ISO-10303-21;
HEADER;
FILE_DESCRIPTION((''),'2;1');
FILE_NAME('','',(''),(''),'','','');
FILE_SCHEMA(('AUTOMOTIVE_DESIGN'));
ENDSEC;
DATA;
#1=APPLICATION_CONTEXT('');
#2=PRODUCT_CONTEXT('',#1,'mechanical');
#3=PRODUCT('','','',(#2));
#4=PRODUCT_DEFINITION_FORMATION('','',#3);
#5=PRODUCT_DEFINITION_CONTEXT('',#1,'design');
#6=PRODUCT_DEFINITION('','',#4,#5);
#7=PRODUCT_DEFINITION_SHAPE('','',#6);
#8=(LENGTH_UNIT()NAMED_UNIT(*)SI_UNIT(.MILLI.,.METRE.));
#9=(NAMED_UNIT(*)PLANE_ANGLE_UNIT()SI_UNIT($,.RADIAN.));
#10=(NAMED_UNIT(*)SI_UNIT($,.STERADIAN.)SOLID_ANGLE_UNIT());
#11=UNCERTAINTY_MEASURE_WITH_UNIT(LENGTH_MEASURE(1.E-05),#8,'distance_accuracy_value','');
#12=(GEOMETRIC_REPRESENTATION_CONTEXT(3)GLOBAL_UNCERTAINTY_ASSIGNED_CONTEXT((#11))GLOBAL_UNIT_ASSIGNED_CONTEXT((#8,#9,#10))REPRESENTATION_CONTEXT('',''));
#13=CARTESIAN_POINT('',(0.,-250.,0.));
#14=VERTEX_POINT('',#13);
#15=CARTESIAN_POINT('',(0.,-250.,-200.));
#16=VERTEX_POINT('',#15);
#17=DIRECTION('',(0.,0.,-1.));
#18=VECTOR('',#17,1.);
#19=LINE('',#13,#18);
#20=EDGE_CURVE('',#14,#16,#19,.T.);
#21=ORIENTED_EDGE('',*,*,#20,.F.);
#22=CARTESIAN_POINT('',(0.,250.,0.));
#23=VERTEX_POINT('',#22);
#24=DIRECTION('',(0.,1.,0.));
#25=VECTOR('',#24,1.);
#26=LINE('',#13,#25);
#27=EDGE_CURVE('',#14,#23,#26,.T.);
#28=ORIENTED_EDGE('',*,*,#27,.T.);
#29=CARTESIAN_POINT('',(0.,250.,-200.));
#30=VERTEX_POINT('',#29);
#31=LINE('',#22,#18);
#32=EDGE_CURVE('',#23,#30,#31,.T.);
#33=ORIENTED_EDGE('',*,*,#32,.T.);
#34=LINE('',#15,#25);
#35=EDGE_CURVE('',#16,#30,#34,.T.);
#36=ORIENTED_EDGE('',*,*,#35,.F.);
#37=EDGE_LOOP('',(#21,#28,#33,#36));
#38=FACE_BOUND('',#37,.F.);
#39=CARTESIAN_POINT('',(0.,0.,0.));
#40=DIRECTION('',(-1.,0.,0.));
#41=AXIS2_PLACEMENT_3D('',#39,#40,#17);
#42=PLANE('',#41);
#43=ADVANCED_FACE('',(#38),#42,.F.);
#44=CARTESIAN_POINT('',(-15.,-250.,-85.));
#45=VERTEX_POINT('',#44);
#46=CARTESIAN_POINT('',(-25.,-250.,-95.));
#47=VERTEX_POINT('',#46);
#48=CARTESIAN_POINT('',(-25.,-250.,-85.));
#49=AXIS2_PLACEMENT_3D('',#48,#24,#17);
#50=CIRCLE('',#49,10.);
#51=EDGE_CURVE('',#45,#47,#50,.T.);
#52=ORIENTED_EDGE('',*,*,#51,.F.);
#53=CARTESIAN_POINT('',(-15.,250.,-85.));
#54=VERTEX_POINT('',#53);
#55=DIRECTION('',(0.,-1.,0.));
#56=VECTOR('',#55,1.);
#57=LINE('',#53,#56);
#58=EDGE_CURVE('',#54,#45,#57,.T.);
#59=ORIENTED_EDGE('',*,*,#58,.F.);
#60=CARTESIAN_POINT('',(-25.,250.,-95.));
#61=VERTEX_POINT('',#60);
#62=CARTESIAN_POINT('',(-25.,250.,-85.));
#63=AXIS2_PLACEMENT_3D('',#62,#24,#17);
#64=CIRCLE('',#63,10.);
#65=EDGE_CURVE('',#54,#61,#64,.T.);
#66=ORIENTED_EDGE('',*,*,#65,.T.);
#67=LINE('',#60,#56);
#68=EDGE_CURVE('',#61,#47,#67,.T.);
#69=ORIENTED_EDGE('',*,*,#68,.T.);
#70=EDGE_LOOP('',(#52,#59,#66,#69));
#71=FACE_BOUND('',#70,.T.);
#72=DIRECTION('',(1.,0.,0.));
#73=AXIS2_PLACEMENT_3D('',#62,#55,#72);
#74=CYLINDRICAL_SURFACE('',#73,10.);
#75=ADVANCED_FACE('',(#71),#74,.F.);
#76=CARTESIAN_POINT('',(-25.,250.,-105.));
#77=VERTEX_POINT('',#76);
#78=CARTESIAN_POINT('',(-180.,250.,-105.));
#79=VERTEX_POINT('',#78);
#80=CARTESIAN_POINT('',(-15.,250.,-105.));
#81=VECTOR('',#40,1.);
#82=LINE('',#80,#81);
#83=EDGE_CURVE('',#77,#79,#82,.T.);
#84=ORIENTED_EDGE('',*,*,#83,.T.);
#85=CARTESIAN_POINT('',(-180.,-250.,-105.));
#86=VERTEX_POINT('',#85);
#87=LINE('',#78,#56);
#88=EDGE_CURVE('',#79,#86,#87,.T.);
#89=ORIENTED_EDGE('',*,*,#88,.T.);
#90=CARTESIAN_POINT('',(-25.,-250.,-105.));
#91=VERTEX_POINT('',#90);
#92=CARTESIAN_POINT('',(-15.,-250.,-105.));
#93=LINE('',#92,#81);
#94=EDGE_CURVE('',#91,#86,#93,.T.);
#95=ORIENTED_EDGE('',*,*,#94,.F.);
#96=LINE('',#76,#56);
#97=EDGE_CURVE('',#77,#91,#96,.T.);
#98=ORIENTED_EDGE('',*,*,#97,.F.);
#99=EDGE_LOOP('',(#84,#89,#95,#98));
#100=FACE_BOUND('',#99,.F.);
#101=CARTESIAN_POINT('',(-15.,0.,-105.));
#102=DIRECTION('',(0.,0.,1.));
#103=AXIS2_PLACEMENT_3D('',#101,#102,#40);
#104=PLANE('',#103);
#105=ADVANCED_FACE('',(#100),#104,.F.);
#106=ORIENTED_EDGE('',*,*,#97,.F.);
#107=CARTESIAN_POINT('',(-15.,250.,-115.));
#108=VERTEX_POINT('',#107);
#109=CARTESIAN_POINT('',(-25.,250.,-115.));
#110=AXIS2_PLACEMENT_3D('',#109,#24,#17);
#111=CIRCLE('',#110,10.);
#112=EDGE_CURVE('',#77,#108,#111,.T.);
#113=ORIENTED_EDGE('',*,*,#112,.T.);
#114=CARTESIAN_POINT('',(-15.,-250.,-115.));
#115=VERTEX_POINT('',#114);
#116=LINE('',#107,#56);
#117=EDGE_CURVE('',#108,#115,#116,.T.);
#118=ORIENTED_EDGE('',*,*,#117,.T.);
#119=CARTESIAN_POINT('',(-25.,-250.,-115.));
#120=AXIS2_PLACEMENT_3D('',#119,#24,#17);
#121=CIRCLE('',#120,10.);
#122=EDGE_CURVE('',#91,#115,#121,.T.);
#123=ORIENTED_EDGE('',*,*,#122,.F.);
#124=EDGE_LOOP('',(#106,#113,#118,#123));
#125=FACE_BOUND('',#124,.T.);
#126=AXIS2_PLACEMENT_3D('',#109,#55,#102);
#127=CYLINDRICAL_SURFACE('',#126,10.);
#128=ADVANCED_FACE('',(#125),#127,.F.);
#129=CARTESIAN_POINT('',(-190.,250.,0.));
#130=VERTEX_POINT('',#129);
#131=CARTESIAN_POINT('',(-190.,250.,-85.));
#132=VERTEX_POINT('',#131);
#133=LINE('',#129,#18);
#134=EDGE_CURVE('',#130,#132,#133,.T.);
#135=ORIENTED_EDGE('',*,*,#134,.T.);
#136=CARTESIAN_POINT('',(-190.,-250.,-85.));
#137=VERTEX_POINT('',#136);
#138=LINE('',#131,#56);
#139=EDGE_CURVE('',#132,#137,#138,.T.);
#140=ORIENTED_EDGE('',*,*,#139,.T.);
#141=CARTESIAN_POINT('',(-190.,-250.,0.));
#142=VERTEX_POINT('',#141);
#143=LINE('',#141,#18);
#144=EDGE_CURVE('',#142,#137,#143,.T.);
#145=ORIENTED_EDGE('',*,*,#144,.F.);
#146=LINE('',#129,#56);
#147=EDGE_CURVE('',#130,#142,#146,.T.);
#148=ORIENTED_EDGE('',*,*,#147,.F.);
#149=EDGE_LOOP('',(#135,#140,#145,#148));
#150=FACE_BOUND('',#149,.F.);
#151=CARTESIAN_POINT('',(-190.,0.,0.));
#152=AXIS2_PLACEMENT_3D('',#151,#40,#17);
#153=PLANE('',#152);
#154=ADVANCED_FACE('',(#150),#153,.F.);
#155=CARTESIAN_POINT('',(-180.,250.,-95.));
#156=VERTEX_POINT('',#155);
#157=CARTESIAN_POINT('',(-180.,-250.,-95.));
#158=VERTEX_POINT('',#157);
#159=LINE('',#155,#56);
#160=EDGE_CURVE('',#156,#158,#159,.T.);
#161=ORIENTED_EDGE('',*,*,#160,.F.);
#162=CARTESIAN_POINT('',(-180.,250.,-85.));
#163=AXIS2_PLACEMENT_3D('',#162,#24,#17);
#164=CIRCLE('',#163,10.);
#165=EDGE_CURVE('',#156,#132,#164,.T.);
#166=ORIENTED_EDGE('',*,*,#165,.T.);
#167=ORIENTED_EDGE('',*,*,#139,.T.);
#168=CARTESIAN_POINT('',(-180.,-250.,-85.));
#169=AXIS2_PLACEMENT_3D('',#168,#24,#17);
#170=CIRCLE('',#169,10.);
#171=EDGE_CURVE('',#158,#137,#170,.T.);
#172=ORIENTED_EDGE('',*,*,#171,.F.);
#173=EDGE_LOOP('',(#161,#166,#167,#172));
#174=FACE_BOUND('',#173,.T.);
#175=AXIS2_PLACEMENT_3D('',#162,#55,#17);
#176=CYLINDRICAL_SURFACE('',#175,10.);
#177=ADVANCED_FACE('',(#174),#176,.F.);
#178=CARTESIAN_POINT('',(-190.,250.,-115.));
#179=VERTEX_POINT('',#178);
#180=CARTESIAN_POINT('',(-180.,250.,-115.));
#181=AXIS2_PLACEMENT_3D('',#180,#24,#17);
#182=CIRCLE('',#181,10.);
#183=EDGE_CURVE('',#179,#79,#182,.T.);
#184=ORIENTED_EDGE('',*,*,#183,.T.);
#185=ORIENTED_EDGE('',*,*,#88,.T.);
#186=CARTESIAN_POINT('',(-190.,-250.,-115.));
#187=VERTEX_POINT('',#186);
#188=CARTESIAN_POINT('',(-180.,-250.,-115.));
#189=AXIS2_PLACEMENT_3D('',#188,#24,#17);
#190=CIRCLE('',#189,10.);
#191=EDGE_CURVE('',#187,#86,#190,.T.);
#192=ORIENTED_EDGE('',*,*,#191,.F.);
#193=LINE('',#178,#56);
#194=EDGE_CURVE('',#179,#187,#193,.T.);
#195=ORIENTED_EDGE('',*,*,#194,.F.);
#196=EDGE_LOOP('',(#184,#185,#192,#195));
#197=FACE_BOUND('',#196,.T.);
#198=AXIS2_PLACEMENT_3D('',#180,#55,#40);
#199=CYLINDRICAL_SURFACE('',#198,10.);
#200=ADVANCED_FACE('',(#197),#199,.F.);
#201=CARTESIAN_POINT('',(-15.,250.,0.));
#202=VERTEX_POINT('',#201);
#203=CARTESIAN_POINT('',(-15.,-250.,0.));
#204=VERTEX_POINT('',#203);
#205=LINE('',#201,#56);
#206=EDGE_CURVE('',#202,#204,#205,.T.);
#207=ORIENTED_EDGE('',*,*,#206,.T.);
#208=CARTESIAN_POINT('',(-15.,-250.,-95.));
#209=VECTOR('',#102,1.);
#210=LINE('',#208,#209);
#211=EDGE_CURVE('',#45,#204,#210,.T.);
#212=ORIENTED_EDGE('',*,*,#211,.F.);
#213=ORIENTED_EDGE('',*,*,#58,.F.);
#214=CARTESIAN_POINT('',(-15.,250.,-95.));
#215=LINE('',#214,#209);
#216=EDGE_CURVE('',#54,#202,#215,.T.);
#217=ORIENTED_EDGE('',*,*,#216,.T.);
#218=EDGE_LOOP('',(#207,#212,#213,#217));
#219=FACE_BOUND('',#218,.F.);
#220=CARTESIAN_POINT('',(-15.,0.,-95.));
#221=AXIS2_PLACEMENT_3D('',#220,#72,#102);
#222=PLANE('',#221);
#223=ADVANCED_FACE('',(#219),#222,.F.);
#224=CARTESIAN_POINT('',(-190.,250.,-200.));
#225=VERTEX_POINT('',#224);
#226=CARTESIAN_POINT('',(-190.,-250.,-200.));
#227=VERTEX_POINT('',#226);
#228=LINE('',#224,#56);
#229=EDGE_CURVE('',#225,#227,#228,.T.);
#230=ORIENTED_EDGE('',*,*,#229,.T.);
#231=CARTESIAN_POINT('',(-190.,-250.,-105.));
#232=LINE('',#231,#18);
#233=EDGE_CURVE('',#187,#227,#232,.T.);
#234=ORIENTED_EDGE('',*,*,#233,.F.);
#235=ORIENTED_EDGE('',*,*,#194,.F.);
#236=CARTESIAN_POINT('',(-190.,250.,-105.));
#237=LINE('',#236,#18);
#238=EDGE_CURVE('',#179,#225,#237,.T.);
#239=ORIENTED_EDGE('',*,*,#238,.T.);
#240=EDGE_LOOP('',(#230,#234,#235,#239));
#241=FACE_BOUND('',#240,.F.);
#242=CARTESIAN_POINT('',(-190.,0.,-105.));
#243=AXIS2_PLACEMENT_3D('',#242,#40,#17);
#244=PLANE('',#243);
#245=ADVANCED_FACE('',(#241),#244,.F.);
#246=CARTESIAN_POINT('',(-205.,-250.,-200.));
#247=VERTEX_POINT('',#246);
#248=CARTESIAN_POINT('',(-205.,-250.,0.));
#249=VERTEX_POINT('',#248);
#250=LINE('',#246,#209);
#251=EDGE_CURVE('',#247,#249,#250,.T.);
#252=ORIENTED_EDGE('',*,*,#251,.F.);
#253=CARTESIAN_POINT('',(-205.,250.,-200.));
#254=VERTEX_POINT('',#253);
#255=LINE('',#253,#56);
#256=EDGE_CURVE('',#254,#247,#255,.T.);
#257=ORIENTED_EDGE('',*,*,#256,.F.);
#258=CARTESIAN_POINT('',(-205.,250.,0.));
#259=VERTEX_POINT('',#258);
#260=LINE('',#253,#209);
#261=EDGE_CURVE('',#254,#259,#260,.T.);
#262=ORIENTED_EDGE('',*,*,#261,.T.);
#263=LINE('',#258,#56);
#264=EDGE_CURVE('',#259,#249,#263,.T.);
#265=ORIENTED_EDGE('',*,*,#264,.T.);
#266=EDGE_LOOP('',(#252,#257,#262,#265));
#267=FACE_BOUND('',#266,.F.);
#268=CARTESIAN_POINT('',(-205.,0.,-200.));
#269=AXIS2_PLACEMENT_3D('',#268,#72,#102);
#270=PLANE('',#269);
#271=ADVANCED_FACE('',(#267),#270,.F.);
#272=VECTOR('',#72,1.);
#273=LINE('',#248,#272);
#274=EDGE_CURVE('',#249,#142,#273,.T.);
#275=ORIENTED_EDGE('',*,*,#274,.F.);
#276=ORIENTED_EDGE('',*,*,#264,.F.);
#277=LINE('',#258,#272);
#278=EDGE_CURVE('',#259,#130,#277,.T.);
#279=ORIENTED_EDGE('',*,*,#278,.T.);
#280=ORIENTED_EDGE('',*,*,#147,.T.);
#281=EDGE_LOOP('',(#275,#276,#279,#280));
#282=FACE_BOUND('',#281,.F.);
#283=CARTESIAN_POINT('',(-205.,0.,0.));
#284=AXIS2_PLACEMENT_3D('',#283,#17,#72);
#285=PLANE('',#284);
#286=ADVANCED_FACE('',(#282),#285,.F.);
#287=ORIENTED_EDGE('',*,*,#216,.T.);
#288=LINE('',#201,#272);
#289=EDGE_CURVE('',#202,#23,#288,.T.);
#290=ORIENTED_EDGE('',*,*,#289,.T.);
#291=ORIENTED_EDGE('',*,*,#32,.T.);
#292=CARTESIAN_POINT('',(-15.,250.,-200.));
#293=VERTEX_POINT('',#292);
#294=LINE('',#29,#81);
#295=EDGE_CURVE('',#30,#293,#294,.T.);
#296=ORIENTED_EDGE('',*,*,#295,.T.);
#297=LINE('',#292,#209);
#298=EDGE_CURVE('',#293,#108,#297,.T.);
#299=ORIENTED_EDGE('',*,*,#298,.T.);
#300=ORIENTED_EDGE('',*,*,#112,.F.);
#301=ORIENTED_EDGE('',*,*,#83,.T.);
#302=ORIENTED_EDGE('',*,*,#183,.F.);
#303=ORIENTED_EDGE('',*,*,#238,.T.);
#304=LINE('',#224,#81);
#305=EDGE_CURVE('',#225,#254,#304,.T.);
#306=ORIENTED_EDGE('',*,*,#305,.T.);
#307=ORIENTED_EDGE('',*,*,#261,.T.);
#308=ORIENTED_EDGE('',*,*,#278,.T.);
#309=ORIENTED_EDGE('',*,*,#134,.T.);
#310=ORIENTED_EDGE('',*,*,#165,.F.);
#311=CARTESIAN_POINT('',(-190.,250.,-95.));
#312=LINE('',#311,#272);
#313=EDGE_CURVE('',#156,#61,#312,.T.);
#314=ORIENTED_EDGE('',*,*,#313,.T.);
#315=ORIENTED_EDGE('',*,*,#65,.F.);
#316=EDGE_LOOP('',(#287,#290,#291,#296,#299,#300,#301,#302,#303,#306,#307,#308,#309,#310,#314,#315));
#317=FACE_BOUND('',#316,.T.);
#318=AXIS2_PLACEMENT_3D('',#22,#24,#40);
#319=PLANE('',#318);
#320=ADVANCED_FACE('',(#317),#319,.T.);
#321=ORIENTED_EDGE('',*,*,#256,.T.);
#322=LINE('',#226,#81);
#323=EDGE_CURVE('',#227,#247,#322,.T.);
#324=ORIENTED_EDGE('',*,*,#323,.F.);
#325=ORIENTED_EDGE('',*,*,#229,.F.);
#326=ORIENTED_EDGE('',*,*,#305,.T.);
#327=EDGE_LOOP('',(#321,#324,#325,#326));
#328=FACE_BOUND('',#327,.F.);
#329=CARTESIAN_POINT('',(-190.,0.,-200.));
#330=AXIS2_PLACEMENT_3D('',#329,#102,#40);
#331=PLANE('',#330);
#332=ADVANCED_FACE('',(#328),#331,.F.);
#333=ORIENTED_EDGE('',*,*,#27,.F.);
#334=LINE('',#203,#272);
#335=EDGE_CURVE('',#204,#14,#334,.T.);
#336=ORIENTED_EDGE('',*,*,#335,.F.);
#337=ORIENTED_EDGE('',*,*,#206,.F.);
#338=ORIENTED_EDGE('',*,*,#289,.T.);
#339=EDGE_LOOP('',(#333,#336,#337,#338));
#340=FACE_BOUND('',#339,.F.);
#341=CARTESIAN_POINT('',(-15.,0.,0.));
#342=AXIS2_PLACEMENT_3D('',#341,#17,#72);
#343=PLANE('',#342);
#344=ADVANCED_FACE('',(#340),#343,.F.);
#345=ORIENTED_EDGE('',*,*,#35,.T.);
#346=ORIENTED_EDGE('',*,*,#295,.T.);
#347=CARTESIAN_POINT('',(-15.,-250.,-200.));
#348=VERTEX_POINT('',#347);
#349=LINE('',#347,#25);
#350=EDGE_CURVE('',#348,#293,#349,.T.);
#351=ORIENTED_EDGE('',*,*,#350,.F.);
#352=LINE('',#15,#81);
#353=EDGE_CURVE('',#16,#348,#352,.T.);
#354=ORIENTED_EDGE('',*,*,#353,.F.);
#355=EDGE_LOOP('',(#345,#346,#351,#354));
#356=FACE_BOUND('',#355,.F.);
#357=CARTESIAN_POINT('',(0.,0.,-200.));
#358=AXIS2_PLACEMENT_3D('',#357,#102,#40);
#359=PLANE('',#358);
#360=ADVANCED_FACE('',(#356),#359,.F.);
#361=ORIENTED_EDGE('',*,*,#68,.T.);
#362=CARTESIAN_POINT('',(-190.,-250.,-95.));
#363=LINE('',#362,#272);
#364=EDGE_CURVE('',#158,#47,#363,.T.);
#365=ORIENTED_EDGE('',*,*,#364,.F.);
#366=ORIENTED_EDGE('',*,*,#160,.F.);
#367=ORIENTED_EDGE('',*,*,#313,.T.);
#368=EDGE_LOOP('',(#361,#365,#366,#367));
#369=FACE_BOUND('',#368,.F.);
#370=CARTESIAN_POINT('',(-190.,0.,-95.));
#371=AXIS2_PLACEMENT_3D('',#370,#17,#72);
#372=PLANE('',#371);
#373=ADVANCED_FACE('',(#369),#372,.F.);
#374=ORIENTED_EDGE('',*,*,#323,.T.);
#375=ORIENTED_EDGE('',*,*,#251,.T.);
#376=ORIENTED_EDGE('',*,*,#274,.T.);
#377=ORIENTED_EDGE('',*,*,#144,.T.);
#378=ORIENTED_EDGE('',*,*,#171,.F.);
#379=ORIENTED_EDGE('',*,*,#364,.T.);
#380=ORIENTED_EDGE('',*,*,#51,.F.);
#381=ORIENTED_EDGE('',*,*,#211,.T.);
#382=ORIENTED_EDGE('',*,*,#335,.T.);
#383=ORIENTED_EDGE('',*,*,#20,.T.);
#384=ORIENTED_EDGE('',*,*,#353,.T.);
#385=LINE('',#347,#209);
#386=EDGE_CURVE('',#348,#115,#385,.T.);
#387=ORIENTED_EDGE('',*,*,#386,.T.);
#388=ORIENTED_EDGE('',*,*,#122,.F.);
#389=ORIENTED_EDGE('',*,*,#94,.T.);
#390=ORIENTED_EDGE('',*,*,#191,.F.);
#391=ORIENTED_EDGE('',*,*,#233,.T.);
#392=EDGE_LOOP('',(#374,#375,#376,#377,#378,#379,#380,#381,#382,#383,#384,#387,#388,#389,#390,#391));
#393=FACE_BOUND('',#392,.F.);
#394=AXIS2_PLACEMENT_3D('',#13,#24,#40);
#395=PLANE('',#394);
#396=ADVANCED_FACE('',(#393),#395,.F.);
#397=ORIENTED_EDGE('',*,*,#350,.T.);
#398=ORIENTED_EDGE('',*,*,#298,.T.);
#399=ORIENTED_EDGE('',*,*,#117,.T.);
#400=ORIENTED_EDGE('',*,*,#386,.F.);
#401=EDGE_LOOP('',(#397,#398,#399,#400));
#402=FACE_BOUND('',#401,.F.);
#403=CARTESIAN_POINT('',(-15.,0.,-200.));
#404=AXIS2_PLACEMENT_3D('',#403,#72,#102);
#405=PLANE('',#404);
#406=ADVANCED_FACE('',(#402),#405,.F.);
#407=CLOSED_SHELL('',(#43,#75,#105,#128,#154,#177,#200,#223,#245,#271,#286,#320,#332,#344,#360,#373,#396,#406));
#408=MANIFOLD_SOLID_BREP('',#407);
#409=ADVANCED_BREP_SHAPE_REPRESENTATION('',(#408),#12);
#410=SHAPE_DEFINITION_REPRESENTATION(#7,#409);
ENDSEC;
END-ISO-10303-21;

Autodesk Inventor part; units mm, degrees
ref_plane "YZ Plane" through (0, 0, 0) normal (1, 0, 0) x (0, 1, 0)
ref_plane "XZ Plane" through (0, 0, 0) normal (0, 1, 0) x (-1, 0, 0)
ref_plane "XY Plane" through (0, 0, 0) normal (0, 0, 1) x (1, 0, 0)
sketch "Szkic1" plane through (0, 0, 0) normal (0, 1, 0) x (-1, 0, 0)
  line L0 (0, 0) -> (0, -200)
  line L1 (0, -200) -> (15, -200)
  line L2 (15, -200) -> (15, -105)
  line L3 (15, -105) -> (190, -105)
  line L4 (190, -105) -> (190, -200)
  line L5 (190, -200) -> (205, -200)
  line L6 (205, -200) -> (205, 0)
  line L7 (205, 0) -> (190, 0)
  line L8 (190, 0) -> (190, -95)
  line L9 (190, -95) -> (15, -95)
  line L10 (15, -95) -> (15, 0)
  line L11 (15, 0) -> (0, 0)
  line L12 (15, 0) -> (0, 0)
  dimension "d0" = 200
  dimension "d1" = 15
  dimension "d2" = 95
  dimension "d3" = 175
  dimension "d4" = 15
  dimension "d5" = 95
extrude "Wyciągnięcie proste1" add sketch "Szkic1" along normal mid plane 500
fillet "Zaokrąglenie2" radius 10 4 edges at (-190, 0, -105) (-15, 0, -105) (-15, 0, -95) (-190, 0, -95)
properties part number "Pierwszy projekt"
